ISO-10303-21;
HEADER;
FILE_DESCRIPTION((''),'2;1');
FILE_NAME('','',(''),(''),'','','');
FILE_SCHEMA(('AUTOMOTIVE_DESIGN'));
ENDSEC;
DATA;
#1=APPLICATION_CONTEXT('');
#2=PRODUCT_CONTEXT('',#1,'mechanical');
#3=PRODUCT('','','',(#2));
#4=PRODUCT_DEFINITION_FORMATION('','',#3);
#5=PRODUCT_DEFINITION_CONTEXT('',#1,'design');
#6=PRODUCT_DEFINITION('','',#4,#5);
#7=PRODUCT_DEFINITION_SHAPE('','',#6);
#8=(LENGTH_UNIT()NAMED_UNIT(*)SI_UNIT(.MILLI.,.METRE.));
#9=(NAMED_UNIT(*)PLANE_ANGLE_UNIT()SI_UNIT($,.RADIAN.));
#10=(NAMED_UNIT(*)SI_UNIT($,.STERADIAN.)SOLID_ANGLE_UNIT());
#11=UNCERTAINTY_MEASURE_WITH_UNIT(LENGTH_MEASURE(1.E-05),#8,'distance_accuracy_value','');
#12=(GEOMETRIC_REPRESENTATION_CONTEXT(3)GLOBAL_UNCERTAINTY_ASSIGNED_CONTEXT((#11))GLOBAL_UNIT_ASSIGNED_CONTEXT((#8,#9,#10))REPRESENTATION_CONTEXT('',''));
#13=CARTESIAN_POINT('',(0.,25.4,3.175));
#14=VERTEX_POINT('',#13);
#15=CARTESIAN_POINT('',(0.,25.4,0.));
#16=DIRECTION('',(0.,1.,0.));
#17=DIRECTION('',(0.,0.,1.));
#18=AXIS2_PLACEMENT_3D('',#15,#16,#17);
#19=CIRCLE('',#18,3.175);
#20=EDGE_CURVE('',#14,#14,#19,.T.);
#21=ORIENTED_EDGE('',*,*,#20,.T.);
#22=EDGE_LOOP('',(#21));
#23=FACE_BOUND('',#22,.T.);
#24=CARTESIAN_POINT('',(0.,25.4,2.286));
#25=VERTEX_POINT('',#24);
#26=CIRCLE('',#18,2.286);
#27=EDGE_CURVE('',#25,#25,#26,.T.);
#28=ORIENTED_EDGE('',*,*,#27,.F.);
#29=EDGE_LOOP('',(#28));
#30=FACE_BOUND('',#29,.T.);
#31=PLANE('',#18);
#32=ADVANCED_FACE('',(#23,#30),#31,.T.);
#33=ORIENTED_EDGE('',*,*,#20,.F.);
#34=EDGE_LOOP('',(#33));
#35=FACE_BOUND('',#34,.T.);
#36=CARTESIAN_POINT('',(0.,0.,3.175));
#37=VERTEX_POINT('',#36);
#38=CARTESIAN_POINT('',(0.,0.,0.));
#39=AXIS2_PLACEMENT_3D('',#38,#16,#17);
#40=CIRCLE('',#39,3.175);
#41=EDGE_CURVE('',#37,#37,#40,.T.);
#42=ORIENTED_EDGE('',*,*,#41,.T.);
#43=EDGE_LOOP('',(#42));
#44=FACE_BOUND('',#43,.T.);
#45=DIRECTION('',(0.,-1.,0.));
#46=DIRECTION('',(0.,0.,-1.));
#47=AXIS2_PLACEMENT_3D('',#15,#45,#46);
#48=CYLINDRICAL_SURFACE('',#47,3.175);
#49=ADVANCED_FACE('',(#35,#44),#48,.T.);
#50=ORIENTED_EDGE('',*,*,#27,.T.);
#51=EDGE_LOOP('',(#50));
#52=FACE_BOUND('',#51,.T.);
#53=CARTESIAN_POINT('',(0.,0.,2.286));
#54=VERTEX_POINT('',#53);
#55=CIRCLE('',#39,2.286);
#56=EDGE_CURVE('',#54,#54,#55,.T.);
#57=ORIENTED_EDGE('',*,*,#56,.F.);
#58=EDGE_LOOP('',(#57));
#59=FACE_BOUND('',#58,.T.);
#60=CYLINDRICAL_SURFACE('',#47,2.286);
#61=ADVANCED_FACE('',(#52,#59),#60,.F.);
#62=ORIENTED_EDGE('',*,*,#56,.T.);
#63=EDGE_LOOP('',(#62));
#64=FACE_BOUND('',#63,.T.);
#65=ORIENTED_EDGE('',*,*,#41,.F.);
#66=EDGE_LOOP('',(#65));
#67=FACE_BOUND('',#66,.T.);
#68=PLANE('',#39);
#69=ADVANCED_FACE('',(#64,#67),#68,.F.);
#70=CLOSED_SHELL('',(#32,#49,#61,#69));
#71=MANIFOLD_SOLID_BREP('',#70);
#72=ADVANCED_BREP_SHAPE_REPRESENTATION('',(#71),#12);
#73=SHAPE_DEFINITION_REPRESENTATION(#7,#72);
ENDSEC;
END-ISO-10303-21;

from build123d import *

# Parameters (mm, degrees)
SKETCH1_R           = 3.175
SKETCH1_R_2         = 2.286
BOSS_EXTRUDE1_DEPTH = 25.4


with BuildPart() as part:
    # Sketch1 → Boss-Extrude1 (new body)
    with BuildSketch(Plane(origin=(0, 0, 0), x_dir=(1, 0, 0), z_dir=(0, 1, 0))):
        with Locations(Location((0, 0, 0), (0, 0, 270))):
            Circle(SKETCH1_R)
        with Locations(Location((0, 0, 0), (0, 0, 270))):
            Circle(SKETCH1_R_2, mode=Mode.SUBTRACT)
    extrude(amount=BOSS_EXTRUDE1_DEPTH)


solid = part.part
